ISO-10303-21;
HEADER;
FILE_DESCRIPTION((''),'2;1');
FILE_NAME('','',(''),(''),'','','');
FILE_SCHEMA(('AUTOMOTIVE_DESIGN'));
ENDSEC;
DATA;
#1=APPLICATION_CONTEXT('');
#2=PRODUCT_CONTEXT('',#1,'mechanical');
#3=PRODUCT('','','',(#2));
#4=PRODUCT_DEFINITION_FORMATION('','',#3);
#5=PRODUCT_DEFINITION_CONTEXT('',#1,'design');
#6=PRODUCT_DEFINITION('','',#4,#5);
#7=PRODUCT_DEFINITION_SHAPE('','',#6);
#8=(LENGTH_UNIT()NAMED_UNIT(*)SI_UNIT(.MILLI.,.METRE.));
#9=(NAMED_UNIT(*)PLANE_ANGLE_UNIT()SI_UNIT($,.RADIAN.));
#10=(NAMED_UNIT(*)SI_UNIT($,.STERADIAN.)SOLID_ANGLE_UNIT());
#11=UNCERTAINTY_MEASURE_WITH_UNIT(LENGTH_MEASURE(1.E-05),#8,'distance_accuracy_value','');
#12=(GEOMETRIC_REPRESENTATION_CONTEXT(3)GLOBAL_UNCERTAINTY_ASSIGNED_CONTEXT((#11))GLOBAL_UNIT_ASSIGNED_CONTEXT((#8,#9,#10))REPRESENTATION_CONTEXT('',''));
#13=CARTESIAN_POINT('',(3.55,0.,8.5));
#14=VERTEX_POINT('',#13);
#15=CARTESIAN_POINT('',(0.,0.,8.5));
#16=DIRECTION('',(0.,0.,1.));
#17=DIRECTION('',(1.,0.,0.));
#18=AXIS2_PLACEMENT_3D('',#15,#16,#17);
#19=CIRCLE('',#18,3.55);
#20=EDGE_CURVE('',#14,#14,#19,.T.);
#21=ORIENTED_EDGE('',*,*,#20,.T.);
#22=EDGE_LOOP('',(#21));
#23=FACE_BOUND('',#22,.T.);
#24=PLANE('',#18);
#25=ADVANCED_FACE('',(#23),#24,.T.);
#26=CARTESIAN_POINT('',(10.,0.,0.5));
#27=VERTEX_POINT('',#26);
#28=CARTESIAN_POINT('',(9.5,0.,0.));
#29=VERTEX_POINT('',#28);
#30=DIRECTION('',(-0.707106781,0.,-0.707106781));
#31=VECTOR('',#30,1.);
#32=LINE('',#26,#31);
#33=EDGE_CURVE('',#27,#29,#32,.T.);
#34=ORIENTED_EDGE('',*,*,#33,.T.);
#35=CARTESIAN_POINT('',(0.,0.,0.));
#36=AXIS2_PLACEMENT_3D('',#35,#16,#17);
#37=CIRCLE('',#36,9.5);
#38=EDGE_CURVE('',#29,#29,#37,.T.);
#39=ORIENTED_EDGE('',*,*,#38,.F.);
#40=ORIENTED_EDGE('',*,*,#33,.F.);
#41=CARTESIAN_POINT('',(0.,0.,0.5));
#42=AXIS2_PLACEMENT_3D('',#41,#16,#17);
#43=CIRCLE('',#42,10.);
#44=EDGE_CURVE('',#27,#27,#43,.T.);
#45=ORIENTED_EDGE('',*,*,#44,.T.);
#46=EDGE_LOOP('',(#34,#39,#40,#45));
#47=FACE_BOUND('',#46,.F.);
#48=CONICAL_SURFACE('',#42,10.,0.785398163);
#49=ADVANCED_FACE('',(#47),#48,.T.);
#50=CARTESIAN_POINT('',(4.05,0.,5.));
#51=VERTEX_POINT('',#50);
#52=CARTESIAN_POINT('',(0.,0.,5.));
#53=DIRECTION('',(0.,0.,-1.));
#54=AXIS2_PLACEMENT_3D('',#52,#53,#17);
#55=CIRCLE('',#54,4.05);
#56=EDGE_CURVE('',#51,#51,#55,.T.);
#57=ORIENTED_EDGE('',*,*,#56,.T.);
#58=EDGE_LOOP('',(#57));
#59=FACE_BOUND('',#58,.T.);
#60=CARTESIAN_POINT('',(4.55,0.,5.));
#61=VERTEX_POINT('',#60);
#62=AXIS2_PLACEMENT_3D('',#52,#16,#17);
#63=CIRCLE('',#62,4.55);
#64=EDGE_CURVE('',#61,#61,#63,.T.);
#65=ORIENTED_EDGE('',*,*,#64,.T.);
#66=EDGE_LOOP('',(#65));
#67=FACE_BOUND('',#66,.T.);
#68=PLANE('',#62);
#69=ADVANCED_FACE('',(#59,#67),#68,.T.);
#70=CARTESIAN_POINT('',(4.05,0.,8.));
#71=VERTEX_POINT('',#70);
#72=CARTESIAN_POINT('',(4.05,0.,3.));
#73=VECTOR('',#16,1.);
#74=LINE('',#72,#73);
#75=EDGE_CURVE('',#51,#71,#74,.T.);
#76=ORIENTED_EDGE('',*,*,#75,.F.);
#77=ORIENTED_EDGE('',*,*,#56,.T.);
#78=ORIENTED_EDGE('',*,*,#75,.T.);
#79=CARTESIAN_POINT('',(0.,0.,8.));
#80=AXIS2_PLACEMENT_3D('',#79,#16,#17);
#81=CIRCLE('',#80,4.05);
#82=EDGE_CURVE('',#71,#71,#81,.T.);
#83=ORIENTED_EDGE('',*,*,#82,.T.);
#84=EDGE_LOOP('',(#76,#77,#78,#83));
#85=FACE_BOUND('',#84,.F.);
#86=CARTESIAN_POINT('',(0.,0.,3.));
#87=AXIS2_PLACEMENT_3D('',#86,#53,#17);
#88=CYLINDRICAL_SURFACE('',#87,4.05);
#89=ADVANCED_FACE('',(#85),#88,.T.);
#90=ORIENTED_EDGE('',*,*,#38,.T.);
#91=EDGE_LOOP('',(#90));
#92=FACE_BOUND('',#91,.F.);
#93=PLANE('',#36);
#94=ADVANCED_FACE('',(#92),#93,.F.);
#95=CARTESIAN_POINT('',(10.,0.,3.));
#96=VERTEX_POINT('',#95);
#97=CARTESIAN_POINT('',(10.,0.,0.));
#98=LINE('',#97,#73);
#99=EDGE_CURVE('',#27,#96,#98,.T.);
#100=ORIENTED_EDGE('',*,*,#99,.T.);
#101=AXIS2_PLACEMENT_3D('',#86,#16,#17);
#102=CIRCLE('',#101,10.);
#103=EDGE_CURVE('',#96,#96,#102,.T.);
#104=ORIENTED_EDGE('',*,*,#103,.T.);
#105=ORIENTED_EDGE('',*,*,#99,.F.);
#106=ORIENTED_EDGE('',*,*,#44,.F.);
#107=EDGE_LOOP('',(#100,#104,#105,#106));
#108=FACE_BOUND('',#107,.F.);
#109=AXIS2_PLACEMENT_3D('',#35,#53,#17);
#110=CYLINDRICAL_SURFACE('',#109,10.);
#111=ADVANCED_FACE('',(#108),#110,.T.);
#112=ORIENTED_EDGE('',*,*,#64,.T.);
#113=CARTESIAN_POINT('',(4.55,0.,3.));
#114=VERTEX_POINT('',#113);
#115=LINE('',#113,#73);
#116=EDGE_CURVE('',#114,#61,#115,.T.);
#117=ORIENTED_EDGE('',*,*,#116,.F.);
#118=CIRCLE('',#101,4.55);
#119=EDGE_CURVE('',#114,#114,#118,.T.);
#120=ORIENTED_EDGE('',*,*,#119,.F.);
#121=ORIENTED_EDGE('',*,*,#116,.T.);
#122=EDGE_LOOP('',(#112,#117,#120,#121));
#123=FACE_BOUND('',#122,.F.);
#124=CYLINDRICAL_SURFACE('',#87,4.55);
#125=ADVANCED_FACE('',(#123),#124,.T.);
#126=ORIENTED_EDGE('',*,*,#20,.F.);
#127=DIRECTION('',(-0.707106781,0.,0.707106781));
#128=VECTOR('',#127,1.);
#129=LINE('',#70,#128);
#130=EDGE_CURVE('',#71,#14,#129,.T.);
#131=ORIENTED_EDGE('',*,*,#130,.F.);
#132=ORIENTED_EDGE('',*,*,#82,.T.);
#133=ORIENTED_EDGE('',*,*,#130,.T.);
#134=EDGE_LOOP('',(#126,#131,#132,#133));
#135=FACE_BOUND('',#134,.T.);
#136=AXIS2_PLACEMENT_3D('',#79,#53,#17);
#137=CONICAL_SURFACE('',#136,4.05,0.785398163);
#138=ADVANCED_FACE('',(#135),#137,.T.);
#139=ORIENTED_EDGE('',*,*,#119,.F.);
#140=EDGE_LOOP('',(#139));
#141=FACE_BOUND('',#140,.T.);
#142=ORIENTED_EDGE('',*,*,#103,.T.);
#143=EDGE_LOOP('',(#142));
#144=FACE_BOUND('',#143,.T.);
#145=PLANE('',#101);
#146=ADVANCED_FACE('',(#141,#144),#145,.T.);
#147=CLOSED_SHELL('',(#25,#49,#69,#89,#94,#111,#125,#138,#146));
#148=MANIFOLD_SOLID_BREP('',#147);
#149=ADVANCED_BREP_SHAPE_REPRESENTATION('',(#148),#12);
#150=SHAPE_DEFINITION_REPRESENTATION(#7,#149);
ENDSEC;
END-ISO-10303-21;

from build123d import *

# Parameters (mm, degrees)
F0_R     = 10
F1_DEPTH = 3
F2_R     = 4.05
F3_DEPTH = 5.5
F4_SIZE  = 0.5
F5_R     = 4.55
F6_DEPTH = 2


with BuildPart() as f1:
    # F0 (on Top) → F1 (new body)
    with BuildSketch(Plane.XY):
        Circle(F0_R)
    extrude(amount=F1_DEPTH)

    # F2 (on face) → F3 (join)
    with BuildSketch(Plane.XY.offset(3)):
        Circle(F2_R)
    extrude(amount=F3_DEPTH)

    # F4
    f4_edges = [f1.edges().sort_by_distance(p)[0] for p in [
        (-4.05, 0, 8.5),
        (-10, 0, 0),
    ]]
    chamfer(f4_edges, length=F4_SIZE)

    # F5 (on face) → F6 (join)
    with BuildSketch(Plane.XY.offset(3)):
        Circle(F5_R)
    extrude(amount=F6_DEPTH)


solid = f1.part
